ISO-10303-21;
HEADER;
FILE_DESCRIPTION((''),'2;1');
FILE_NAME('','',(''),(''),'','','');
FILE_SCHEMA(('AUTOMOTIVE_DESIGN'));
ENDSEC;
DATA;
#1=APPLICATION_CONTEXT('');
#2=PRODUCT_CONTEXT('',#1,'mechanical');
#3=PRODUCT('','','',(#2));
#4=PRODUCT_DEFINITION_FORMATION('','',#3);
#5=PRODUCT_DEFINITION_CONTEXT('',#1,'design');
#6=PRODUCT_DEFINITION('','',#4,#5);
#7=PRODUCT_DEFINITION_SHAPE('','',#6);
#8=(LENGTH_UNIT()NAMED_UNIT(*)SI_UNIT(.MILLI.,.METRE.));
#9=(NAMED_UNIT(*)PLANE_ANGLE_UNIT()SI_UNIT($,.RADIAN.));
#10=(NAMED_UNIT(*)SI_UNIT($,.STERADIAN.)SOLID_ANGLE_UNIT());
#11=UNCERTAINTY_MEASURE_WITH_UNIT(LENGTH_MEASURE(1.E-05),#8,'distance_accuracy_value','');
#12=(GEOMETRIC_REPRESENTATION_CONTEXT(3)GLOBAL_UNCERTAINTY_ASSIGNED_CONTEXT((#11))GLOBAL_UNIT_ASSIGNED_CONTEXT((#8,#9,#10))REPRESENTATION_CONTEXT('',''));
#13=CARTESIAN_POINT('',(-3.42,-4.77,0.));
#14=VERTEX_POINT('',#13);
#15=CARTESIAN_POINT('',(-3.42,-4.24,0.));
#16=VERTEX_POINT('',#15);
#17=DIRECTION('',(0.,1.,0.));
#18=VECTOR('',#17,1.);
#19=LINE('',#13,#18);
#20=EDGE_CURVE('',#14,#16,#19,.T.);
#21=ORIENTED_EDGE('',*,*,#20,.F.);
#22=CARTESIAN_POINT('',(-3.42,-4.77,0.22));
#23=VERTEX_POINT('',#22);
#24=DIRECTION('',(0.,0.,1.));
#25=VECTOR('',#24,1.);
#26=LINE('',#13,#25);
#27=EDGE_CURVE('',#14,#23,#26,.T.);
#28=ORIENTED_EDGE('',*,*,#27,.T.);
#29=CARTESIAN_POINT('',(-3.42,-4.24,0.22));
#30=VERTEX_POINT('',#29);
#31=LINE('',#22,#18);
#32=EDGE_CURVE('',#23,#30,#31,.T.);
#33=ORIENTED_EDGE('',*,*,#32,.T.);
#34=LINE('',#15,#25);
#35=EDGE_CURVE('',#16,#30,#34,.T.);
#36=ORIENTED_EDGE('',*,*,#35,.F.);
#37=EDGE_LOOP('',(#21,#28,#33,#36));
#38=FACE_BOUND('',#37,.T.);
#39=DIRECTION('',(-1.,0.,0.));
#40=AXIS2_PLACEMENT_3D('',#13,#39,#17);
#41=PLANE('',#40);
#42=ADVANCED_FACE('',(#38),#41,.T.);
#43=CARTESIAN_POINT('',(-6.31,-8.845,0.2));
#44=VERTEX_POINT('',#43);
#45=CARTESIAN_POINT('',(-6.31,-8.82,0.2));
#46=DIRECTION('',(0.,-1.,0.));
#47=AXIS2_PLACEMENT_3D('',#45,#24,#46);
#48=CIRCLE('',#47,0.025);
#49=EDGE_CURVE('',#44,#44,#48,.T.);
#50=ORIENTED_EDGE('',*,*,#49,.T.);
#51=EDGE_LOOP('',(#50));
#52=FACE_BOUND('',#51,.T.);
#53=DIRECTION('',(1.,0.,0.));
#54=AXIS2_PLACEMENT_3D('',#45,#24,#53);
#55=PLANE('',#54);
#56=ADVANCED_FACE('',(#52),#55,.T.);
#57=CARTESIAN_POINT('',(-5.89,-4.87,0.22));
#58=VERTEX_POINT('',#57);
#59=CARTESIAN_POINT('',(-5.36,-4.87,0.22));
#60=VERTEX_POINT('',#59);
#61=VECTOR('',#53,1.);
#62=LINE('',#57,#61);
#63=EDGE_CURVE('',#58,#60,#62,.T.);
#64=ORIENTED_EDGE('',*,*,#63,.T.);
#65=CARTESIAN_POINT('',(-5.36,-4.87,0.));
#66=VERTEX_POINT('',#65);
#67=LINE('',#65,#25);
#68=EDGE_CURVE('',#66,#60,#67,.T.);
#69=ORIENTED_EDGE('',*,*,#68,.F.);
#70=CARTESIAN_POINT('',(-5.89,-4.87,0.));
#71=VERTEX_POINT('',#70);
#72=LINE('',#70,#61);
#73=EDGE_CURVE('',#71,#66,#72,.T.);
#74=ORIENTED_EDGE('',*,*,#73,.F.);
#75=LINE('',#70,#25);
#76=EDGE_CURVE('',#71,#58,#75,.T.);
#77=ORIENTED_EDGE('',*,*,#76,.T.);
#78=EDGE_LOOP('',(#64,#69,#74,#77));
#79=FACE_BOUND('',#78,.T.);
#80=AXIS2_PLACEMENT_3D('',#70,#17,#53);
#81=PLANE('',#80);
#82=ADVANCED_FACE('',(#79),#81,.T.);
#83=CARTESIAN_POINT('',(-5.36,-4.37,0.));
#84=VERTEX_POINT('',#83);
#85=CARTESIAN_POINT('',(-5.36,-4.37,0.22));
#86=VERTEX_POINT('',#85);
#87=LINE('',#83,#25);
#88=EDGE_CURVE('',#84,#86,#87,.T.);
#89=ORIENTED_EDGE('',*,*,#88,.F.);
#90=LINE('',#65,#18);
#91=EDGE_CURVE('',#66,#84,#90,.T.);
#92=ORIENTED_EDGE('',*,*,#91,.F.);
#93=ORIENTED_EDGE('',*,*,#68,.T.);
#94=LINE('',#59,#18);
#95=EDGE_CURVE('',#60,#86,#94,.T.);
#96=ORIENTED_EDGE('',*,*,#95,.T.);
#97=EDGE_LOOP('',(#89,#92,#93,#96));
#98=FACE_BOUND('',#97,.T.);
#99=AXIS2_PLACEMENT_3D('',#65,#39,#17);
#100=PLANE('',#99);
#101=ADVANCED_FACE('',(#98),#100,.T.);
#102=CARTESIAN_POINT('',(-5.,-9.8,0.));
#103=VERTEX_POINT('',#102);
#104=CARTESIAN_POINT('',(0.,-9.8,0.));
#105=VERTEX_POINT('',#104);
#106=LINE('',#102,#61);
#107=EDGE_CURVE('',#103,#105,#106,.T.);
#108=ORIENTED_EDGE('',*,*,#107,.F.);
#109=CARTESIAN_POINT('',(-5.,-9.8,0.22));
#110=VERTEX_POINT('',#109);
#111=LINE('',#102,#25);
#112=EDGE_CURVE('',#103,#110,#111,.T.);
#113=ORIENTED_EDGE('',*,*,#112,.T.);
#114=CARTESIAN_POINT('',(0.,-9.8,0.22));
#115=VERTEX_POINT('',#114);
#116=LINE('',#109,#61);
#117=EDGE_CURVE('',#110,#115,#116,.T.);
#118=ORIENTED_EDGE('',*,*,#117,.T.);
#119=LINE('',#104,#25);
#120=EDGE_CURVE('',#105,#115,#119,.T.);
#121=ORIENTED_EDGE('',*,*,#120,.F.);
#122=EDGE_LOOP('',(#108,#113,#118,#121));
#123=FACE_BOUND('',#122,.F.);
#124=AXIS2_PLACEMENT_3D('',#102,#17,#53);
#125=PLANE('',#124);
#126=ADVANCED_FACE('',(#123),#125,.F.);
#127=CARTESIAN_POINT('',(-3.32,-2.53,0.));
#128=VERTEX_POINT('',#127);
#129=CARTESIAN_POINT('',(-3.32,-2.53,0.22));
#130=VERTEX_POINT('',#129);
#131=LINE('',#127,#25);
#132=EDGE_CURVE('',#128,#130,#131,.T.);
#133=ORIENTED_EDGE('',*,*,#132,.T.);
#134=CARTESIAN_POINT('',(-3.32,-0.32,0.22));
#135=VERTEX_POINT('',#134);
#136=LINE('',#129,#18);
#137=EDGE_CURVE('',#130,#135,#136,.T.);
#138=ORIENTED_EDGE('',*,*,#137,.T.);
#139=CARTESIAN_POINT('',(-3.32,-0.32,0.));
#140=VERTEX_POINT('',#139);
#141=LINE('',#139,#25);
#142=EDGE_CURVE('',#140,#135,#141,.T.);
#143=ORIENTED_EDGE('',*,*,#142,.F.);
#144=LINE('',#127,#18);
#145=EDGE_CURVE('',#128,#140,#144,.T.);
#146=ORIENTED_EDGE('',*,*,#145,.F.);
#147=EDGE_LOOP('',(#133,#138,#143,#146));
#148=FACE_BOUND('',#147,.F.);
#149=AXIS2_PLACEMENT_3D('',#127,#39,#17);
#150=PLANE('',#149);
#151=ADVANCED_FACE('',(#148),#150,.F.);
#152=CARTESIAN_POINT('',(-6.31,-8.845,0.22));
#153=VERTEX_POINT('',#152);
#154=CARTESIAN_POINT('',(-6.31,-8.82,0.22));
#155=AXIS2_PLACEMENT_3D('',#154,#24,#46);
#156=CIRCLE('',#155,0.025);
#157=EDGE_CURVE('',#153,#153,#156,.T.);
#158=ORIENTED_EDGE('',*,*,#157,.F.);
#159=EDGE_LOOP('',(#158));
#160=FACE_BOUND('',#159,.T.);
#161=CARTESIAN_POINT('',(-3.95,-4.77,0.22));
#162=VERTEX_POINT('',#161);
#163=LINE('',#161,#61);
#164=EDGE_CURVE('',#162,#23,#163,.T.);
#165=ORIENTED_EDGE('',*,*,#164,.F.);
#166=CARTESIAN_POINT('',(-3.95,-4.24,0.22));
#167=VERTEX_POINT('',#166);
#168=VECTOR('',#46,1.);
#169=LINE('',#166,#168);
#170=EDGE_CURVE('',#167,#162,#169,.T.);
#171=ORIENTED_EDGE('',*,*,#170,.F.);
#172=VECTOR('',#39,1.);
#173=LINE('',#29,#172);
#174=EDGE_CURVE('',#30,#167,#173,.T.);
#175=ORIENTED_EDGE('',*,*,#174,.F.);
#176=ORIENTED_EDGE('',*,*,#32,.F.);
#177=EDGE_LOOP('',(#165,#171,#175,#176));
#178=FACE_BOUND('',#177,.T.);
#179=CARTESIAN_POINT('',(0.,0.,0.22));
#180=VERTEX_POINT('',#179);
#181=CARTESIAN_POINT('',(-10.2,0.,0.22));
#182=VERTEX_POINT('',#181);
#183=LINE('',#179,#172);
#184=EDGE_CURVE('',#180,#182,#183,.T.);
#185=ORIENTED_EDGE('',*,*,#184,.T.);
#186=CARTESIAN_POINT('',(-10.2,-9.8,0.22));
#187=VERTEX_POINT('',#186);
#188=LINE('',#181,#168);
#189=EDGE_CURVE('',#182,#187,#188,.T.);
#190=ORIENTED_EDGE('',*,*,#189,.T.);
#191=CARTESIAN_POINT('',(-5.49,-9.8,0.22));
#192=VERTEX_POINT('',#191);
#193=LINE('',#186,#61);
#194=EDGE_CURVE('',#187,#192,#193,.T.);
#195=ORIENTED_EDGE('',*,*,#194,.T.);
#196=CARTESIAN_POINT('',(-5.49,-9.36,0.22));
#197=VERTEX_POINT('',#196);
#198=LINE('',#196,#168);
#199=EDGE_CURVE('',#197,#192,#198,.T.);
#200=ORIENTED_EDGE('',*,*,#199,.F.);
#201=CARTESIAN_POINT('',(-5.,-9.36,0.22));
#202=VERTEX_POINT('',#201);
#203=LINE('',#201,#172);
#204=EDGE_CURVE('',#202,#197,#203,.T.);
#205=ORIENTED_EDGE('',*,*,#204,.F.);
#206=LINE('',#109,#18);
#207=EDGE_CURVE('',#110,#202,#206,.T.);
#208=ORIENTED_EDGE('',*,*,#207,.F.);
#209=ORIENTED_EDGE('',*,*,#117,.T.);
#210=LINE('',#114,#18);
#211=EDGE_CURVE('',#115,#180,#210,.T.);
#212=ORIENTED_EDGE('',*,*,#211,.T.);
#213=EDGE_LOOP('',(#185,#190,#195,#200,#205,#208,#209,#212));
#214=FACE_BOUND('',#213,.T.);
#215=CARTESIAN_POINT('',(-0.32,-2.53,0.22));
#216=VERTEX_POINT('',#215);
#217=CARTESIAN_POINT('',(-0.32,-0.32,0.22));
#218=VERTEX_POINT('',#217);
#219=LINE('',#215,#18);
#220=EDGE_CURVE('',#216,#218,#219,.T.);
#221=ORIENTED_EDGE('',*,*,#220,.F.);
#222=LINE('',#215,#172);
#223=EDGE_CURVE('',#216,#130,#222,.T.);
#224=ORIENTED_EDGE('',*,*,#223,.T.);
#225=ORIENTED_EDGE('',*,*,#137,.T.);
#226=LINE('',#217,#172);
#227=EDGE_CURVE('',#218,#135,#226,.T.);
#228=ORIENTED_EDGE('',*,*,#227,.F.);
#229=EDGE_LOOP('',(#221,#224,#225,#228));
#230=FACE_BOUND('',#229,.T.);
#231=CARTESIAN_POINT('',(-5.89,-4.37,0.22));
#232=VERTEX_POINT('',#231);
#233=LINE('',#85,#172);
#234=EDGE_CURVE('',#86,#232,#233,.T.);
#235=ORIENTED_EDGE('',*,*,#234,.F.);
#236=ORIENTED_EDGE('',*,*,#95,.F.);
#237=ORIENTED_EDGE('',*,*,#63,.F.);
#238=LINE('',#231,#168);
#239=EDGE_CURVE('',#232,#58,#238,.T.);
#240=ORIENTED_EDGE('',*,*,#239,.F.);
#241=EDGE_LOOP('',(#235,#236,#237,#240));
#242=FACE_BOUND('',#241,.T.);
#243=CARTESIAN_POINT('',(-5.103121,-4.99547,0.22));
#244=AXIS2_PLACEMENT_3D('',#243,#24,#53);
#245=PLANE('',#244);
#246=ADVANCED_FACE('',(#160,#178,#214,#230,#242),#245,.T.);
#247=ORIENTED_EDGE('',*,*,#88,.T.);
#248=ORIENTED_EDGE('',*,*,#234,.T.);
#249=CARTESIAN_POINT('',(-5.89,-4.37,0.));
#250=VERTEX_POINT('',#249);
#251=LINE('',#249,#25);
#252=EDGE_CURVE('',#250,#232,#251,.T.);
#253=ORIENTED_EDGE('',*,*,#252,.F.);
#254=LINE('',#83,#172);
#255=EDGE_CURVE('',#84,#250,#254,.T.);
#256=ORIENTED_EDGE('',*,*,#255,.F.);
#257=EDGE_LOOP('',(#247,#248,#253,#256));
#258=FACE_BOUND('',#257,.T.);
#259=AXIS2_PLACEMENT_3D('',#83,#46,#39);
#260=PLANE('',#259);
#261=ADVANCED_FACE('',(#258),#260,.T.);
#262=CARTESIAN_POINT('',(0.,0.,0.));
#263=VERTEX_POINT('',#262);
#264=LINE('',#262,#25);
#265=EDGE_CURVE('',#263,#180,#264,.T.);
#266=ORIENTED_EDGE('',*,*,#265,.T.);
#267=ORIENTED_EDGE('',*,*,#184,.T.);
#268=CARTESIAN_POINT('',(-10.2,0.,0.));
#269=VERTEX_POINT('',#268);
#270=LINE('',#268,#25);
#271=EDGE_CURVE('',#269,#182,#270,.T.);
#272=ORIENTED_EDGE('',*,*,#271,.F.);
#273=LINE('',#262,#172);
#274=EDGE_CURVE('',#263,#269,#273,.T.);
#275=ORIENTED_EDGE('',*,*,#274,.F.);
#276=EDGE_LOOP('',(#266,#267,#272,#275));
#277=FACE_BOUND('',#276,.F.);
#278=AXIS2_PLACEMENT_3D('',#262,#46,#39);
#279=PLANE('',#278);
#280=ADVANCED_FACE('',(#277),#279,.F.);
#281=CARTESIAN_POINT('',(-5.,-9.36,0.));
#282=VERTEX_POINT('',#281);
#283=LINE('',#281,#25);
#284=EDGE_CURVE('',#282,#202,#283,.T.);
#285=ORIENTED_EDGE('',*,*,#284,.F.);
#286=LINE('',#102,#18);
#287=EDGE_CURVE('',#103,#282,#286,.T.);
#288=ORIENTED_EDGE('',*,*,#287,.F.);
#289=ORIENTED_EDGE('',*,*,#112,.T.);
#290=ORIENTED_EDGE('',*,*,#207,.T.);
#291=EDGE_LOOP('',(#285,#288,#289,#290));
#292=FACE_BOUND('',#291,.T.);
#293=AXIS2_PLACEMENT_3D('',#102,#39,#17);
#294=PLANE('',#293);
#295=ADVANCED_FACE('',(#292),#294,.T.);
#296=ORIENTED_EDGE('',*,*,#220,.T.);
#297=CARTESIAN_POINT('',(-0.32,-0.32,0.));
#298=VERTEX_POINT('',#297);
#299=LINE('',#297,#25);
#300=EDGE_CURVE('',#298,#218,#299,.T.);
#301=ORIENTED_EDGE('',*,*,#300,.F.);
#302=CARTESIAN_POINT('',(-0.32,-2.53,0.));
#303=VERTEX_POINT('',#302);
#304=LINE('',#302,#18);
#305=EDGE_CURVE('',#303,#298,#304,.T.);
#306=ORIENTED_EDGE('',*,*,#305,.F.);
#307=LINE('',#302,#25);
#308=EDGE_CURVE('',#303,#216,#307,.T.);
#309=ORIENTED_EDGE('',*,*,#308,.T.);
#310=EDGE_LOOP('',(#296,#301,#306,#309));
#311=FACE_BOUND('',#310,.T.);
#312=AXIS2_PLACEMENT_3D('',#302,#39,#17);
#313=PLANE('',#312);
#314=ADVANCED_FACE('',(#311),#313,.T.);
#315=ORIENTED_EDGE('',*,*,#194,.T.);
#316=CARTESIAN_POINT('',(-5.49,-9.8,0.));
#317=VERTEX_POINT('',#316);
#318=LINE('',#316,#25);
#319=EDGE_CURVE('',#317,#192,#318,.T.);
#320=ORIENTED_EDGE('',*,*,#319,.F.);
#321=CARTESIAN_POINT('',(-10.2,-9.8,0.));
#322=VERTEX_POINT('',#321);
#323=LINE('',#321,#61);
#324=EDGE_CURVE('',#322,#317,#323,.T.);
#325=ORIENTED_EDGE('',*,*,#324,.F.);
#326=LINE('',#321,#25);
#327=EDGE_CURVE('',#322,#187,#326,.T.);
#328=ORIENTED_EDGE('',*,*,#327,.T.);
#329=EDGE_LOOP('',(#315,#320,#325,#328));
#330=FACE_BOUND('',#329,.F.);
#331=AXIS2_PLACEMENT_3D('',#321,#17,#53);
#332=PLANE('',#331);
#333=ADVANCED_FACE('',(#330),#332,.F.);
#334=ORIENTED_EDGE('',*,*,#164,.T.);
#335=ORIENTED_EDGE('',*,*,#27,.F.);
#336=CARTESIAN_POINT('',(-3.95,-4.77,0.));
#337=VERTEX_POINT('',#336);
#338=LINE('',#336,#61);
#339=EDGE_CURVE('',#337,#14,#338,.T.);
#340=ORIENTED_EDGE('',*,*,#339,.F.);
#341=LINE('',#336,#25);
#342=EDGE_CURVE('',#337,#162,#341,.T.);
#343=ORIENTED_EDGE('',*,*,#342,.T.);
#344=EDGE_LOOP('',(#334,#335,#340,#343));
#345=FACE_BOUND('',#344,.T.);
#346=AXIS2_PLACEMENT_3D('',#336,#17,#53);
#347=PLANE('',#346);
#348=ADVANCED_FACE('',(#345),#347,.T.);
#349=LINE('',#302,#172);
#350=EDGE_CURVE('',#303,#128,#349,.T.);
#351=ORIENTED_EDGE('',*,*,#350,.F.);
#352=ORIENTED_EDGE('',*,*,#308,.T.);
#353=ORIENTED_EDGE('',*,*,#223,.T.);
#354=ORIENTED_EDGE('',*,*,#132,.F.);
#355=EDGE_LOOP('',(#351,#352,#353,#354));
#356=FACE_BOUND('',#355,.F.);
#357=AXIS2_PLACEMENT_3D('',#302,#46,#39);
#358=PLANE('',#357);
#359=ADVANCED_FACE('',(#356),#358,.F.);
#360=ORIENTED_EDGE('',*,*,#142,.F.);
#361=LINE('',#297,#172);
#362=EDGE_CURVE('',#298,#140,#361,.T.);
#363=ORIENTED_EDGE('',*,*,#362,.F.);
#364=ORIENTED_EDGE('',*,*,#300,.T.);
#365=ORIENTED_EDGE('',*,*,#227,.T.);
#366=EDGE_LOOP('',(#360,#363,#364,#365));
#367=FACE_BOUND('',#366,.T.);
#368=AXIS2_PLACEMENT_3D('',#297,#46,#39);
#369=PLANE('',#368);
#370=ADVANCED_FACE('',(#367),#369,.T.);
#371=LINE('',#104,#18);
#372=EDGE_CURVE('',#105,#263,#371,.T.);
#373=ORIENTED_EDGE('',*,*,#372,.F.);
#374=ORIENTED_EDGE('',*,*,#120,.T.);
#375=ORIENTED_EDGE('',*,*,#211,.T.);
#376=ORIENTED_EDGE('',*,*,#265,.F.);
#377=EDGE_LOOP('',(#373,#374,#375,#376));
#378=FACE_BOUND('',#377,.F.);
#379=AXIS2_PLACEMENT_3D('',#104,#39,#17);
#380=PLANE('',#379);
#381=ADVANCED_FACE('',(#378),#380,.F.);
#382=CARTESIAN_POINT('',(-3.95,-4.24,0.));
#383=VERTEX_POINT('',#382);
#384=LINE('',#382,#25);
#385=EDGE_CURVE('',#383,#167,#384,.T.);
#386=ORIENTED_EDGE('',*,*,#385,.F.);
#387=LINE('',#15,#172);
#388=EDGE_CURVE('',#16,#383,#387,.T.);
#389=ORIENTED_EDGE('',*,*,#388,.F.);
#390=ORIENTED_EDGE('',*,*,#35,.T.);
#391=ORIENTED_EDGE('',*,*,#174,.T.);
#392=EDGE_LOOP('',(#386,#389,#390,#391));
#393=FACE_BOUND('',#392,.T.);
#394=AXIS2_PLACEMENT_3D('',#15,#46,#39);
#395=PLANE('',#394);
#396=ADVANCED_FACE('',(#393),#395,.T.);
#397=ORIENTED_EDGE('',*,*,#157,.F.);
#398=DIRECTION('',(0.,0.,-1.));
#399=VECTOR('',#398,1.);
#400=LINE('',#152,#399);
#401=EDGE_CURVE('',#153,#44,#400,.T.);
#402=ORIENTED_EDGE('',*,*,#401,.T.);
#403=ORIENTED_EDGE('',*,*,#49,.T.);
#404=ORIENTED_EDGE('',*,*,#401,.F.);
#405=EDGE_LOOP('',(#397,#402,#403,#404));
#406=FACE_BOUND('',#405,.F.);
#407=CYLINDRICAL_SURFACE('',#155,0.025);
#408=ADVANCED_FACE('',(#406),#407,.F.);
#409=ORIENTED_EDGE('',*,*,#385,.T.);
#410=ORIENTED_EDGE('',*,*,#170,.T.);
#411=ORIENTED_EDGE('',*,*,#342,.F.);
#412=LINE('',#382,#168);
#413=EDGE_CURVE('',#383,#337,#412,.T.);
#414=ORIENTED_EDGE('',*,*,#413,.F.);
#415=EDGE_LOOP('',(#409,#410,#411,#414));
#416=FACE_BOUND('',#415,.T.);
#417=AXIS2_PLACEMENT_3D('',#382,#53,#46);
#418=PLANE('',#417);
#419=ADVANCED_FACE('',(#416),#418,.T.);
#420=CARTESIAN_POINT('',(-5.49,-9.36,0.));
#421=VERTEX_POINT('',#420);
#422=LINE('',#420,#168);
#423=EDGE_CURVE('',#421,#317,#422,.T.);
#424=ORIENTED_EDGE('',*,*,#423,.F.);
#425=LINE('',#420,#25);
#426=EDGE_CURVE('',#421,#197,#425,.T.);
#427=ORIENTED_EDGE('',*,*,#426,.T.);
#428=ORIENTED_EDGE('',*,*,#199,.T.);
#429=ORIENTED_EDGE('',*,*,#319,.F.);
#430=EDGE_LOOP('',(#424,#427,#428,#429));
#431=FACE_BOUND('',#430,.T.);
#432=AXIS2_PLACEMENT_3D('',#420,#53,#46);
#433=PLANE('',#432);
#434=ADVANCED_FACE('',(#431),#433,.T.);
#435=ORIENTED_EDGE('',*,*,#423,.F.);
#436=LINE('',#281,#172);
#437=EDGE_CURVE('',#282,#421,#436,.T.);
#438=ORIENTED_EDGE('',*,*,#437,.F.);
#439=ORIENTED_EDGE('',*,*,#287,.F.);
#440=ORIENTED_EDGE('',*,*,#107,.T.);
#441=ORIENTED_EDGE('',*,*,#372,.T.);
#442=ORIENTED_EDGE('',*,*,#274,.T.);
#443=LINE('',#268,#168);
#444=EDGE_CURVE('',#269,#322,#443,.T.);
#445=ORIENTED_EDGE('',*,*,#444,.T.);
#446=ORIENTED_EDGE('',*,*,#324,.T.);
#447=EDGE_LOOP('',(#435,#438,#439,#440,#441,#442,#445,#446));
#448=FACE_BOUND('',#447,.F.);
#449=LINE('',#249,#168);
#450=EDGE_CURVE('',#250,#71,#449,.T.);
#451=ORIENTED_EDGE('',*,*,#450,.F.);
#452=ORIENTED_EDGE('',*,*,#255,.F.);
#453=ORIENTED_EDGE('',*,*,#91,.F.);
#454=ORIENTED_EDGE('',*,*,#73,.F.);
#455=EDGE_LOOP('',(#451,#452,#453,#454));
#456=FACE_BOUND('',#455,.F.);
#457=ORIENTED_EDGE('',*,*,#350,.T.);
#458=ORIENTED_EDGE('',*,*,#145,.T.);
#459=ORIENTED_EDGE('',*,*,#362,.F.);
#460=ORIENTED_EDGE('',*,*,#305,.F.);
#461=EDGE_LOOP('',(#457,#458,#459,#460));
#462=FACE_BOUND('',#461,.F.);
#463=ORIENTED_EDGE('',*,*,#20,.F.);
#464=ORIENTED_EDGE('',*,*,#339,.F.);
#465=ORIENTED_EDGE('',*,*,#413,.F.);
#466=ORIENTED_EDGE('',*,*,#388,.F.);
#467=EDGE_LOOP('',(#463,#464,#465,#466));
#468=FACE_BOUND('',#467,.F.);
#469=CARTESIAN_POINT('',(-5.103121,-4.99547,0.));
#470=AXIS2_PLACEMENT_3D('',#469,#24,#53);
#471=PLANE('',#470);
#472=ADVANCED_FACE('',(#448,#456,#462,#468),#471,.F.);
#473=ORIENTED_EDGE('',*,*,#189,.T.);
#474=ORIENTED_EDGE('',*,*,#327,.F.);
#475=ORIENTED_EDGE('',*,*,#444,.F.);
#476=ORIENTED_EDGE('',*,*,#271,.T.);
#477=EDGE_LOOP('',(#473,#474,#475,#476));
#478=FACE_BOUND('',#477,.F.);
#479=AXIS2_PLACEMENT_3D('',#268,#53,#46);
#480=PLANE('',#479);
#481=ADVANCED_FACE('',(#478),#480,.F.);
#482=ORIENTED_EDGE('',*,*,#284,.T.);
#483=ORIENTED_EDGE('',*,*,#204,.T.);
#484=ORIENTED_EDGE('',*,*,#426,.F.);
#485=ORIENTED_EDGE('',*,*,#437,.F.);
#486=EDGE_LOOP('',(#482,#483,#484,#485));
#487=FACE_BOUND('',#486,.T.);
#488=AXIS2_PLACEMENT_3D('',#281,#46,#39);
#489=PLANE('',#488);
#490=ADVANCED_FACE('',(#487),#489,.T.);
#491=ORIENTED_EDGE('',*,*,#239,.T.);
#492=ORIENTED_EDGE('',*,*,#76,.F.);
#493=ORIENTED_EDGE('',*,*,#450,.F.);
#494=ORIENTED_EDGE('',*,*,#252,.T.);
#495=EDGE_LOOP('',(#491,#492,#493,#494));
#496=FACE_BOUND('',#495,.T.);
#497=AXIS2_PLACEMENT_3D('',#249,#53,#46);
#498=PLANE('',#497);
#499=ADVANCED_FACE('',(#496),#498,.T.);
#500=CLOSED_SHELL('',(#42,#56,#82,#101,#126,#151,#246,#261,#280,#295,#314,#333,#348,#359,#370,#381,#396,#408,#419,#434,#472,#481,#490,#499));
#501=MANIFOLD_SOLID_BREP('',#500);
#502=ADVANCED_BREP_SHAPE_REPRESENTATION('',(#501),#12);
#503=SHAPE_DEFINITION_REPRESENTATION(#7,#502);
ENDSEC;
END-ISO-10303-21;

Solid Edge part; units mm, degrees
sketch "Sketch1" plane through (0, 0, 0) normal (0, 0, 1) x (1, 0, 0)
  line L0 (-5.89, -4.37) -> (-5.89, -4.87)
  line L1 (-5.89, -4.87) -> (-5.36, -4.87)
  line L2 (-5.36, -4.87) -> (-5.36, -4.37)
  line L3 (-5.36, -4.37) -> (-5.89, -4.37)
  line L4 (-3.95, -4.24) -> (-3.95, -4.77)
  line L5 (-3.95, -4.77) -> (-3.42, -4.77)
  line L6 (-3.42, -4.77) -> (-3.42, -4.24)
  line L7 (-3.42, -4.24) -> (-3.95, -4.24)
  line L8 (-0.32, -0.32) -> (-3.32, -0.32)
  line L9 (-3.32, -2.53) -> (-3.32, -0.32)
  line L10 (-0.32, -2.53) -> (-3.32, -2.53)
  line L11 (-0.32, -2.53) -> (-0.32, -0.32)
  line L12 (-10.2, 0) -> (-10.2, -9.8)
  line L13 (-10.2, -9.8) -> (-5.49, -9.8)
  line L14 (-5.49, -9.36) -> (-5.49, -9.8)
  line L15 (-5, -9.36) -> (-5.49, -9.36)
  line L16 (-5, -9.8) -> (-5, -9.36)
  line L17 (-5, -9.8) -> (0, -9.8)
  line L18 (0, -9.8) -> (0, 0)
  line L19 (0, 0) -> (-10.2, 0)
  dimension "D1" = 3
extrude "Protrusion1" add sketch "Sketch1" along normal blind 0.22
sketch "Sketch2" plane through (-5.1, -4.9, 0.22) normal (0, 0, 1) x (0, -1, 0)
  circle A0 centre (3.92, -1.21) radius 0.025
  dimension "D1" = 0.82
  dimension "D2" = 0.82
  dimension "D3" = 0.05
extrude "Ausschnitt_1" cut sketch "Sketch2" against normal blind 0.02
